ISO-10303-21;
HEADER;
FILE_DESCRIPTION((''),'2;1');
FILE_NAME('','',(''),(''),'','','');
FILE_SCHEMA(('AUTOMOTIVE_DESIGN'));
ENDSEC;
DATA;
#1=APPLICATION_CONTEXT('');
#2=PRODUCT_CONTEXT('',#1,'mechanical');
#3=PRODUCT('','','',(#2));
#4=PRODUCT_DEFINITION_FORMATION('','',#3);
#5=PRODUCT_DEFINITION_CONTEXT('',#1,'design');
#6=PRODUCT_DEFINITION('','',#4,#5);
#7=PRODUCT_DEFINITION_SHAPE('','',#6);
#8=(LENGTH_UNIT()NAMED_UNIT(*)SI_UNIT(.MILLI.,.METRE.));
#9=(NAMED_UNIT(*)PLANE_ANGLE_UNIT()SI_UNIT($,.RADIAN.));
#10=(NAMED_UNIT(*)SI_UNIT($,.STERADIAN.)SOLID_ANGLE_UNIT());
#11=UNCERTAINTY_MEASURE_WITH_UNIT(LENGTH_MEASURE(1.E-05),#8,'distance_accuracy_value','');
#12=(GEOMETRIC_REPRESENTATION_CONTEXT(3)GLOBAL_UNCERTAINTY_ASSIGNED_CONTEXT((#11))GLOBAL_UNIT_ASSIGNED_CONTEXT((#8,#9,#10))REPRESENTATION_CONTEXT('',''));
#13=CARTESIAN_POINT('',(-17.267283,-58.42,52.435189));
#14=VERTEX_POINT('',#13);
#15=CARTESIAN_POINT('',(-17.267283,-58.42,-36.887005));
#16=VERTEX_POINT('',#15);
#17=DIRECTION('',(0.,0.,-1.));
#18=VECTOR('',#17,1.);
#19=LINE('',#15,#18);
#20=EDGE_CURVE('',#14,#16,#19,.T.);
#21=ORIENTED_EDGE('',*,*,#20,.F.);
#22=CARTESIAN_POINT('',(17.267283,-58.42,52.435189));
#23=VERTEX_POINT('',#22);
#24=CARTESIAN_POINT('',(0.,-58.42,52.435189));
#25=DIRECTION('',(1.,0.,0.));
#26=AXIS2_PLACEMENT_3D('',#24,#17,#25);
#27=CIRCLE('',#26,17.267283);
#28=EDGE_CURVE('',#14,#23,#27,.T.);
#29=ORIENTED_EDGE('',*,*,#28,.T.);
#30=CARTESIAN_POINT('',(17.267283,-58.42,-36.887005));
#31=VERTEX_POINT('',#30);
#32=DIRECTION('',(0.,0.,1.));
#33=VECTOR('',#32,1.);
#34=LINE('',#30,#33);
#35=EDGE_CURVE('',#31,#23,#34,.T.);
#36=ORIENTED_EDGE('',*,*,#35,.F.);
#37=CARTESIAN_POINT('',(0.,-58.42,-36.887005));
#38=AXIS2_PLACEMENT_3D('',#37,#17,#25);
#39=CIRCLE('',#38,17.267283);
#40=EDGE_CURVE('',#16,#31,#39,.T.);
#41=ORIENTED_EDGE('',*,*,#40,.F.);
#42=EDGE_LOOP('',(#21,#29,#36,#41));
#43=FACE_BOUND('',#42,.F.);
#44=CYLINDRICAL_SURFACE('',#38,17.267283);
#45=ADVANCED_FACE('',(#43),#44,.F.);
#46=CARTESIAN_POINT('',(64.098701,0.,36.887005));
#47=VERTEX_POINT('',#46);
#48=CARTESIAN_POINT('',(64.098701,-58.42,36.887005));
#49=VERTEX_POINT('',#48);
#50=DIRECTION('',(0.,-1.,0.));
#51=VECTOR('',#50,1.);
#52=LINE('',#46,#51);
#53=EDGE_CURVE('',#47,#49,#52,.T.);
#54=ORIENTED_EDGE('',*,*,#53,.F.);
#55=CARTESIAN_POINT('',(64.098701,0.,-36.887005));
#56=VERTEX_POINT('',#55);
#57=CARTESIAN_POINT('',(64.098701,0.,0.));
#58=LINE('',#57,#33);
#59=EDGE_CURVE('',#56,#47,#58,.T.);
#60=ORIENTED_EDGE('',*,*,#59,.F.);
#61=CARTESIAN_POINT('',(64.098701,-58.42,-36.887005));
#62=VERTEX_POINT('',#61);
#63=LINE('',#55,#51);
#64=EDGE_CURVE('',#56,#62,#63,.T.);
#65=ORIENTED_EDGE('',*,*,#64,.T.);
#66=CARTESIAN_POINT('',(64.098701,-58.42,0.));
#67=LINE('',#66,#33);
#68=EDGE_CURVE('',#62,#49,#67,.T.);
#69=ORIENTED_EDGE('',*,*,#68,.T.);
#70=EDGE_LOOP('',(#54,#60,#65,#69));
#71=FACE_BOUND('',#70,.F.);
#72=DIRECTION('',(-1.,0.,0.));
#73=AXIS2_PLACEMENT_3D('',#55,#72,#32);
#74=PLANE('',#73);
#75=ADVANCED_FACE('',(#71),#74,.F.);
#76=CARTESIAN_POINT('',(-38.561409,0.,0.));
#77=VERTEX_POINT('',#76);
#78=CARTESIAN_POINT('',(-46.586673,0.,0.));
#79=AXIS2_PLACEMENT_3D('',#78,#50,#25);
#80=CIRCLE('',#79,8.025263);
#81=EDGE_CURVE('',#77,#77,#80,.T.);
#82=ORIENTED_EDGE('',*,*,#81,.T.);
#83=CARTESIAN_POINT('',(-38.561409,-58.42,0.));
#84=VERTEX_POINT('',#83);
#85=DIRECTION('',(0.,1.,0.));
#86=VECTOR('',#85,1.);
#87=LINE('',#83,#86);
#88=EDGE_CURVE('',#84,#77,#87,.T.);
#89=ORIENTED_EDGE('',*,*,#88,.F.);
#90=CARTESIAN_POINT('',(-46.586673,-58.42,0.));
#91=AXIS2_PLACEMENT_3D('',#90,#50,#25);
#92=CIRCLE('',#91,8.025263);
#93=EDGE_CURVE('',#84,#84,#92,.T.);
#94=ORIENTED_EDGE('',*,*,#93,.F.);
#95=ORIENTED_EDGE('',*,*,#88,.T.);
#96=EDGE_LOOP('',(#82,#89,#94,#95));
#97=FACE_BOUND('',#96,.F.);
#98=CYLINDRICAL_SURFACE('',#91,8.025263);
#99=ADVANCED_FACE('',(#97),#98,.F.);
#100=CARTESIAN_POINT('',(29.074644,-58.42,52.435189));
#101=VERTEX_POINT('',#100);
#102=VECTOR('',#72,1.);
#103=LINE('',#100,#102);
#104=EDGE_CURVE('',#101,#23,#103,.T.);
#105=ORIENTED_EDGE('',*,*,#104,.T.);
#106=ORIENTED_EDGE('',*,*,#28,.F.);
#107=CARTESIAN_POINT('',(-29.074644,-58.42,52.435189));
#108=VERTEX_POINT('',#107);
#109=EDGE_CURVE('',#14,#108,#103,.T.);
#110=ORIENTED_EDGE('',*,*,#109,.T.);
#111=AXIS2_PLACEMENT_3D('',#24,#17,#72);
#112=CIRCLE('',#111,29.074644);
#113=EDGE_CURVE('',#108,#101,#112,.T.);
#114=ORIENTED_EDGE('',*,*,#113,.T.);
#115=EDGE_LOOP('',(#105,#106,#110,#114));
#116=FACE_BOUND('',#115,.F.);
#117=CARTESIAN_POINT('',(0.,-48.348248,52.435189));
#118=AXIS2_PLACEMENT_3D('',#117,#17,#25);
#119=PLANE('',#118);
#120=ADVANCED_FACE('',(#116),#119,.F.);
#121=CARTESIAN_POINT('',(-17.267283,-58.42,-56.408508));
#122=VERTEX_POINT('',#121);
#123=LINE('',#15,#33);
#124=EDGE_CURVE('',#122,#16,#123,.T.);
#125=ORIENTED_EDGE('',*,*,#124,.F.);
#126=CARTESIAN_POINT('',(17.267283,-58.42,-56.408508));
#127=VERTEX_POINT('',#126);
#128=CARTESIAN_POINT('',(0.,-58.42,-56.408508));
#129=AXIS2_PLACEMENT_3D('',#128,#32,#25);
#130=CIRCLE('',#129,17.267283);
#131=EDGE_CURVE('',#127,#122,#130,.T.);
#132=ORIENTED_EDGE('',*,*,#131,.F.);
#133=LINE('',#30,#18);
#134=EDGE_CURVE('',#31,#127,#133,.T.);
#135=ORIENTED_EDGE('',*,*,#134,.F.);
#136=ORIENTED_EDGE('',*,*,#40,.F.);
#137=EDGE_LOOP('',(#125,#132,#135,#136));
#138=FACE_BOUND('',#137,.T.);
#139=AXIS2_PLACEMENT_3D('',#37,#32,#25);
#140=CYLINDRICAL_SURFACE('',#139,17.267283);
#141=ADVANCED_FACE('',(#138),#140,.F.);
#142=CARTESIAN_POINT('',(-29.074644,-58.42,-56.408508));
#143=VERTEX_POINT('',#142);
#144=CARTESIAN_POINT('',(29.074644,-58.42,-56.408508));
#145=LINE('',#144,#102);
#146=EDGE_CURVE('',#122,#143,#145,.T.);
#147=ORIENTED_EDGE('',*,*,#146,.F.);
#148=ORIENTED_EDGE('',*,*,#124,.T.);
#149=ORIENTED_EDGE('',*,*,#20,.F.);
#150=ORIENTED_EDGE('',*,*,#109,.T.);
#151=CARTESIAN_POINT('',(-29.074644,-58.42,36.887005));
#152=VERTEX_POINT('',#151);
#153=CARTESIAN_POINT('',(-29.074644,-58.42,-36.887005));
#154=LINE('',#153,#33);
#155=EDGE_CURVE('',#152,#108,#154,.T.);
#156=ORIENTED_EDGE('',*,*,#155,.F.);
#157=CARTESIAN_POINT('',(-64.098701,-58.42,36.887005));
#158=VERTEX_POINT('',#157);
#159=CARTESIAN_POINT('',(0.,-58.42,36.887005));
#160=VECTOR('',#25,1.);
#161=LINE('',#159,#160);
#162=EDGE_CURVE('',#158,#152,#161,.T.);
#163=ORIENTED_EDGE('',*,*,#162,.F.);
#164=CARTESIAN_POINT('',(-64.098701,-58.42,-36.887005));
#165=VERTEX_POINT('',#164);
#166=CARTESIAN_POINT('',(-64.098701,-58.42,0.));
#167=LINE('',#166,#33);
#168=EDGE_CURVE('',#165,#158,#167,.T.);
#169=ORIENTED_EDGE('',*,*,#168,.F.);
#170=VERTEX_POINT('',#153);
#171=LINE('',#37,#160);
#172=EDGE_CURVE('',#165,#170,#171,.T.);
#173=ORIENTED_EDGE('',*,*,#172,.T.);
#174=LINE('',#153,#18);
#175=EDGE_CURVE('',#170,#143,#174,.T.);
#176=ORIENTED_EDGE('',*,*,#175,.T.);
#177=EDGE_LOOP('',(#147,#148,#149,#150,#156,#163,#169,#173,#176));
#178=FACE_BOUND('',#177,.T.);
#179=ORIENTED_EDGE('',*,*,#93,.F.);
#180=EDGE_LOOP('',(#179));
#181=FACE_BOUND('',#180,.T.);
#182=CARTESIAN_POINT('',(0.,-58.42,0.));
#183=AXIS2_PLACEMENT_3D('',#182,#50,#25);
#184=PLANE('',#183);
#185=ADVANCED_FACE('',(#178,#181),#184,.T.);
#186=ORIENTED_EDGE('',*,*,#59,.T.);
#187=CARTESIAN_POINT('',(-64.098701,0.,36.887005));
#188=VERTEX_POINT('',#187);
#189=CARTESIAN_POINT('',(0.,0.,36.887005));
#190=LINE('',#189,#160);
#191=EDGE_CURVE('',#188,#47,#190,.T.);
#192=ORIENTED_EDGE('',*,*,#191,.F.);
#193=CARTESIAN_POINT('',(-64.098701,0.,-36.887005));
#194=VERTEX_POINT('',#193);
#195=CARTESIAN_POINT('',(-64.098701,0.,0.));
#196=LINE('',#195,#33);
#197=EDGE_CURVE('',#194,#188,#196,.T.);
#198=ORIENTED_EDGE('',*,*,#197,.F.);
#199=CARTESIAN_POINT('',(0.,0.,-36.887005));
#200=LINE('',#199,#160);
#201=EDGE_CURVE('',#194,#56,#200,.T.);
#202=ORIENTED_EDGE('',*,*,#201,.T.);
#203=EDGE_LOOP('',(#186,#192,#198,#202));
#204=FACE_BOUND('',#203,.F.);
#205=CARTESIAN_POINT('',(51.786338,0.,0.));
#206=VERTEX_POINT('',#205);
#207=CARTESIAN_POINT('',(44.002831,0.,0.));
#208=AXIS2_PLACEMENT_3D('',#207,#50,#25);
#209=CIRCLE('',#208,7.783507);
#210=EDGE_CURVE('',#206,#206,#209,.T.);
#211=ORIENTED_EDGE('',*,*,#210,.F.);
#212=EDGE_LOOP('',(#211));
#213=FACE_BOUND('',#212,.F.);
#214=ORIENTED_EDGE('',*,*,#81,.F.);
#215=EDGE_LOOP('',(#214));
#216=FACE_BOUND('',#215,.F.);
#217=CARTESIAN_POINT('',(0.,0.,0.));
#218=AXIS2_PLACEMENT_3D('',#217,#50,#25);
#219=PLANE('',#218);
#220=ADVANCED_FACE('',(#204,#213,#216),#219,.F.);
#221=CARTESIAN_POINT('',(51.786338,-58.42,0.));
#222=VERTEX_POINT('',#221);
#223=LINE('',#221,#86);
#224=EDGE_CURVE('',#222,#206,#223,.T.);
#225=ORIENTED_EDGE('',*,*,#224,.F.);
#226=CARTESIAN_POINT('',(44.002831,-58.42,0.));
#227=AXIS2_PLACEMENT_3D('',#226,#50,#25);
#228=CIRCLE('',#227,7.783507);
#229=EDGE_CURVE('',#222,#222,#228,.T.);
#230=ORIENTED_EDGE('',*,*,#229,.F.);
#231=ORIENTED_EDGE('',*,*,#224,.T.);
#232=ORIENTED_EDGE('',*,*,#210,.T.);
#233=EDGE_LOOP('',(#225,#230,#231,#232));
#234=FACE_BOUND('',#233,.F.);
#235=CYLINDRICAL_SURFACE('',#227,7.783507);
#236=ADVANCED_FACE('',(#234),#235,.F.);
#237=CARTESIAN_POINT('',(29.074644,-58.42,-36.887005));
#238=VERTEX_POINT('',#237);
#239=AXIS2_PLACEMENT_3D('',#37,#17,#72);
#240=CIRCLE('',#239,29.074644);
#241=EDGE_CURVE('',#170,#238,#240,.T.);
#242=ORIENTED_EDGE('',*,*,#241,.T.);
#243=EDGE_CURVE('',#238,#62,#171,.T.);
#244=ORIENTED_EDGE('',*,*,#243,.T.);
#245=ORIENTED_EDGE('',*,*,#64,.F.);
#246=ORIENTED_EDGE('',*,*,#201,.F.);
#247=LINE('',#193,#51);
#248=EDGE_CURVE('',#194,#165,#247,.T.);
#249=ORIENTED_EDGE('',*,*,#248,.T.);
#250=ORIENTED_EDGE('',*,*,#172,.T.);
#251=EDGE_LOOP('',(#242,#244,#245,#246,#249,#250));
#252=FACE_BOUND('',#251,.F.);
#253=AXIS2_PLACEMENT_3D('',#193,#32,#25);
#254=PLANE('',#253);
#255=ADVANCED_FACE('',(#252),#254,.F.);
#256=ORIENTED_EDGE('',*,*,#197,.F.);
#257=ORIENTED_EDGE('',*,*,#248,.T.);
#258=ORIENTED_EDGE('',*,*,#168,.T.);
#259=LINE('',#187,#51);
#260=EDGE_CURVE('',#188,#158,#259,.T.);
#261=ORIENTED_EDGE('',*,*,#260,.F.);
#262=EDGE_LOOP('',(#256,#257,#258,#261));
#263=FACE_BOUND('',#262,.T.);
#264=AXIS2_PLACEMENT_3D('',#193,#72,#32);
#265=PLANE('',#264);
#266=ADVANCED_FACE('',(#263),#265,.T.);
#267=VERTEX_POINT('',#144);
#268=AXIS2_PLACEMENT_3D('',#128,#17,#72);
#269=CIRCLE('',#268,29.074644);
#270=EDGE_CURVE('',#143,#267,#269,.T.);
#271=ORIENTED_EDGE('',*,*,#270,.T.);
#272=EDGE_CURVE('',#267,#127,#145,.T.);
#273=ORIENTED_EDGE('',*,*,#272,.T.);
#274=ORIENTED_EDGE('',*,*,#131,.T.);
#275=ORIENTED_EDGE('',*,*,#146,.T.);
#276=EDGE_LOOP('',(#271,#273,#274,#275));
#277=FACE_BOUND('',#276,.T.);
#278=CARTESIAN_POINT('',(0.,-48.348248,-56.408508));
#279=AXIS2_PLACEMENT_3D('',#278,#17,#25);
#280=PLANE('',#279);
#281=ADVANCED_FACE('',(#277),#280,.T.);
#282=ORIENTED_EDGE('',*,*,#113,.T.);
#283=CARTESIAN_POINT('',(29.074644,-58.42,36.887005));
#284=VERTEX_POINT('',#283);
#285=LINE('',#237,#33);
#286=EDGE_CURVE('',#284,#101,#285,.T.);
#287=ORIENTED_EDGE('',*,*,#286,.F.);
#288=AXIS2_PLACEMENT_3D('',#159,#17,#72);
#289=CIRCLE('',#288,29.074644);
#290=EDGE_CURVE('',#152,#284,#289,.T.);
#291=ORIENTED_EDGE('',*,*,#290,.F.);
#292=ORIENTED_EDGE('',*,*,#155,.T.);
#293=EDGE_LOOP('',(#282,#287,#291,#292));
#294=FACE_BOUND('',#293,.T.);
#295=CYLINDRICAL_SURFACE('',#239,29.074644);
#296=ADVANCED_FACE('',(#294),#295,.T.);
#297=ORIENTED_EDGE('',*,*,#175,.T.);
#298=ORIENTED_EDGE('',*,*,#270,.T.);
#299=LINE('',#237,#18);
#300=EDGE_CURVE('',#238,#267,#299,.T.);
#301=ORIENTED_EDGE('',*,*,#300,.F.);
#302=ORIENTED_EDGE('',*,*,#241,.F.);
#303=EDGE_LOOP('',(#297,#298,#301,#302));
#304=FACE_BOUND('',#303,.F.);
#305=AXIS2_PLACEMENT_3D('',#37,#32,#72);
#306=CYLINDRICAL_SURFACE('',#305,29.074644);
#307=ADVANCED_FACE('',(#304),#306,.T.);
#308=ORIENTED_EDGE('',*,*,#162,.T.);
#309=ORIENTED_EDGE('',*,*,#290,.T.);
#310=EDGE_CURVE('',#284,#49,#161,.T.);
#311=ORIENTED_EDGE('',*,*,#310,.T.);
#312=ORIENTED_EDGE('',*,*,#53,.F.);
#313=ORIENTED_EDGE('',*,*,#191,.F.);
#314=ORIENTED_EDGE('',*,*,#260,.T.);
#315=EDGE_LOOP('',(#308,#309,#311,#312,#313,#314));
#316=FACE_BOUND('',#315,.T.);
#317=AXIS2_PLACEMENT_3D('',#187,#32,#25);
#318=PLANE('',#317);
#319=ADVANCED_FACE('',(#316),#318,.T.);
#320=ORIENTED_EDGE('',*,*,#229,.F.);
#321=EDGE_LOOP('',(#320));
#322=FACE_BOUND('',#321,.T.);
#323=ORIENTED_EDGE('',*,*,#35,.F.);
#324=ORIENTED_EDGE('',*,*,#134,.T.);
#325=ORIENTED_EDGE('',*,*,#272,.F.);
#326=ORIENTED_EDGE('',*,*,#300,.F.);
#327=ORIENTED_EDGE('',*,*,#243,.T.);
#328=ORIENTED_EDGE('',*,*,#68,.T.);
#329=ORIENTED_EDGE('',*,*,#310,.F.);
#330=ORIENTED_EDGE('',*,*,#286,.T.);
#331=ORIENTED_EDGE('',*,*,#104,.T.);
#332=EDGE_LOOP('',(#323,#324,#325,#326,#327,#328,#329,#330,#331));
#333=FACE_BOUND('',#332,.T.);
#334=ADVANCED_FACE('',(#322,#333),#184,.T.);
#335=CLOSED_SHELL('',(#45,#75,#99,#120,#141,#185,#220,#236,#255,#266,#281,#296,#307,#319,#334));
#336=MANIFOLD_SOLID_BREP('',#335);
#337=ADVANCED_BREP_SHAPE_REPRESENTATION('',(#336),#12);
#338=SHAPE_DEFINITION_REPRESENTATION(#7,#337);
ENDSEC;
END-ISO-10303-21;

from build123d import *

# Parameters (mm, degrees)
F0_W          = 128.197401762
F0_H          = 73.774009943
F1_DEPTH      = 58.42
F2_DEPTH      = 19.5215027779
F2_DEPTH_BACK = 89.3221944571
F7_R          = 17.2672830395
F3_DEPTH      = 89.3231944571
F3_DEPTH_BACK = 25.4
F8_R          = 7.783506766
F4_DEPTH      = 58.421
F9_R          = 8.0252632598
F10_DEPTH     = 58.421


with BuildPart() as f1:
    # F0 (on Front) → F1 (new body)
    with BuildSketch(Plane.XZ):
        Rectangle(F0_W, F0_H)
    extrude(amount=F1_DEPTH)

    # F6 (on face) → F2 (join, two sides)
    with BuildSketch(Plane(origin=(0, 0, -36.8870049715), x_dir=(1, 0, 0), z_dir=(0, 0, -1))) as f2_sk:
        with BuildLine():
            ThreePointArc((-29.0746443466, 58.42), (0, 29.3453556534), (29.0746443466, 58.42))
            Line((29.0746443466, 58.42), (-29.0746443466, 58.42))
        make_face()
    extrude(amount=F2_DEPTH)
    extrude(f2_sk.sketch, amount=-F2_DEPTH_BACK)

    # F7 (on face) → F3 (cut, two sides)
    with BuildSketch(Plane(origin=(0, 0, -36.8870049715), x_dir=(1, 0, 0), z_dir=(0, 0, -1))) as f3_sk:
        with Locations((0, 58.42)):
            Circle(F7_R)
    extrude(amount=-F3_DEPTH, mode=Mode.SUBTRACT)
    extrude(f3_sk.sketch, amount=F3_DEPTH_BACK, mode=Mode.SUBTRACT)

    # F8 (on face) → F4 (cut, through all)
    with BuildSketch(Plane.XZ.offset(58.42)):
        with Locations((44.0028309822, 0)):
            Circle(F8_R)
    extrude(amount=-F4_DEPTH, mode=Mode.SUBTRACT)

    # F9 (on face) → F10 (cut, through all)
    with BuildSketch(Plane.XZ.offset(58.42)):
        with Locations((-46.5866726138, 0)):
            Circle(F9_R)
    extrude(amount=-F10_DEPTH, mode=Mode.SUBTRACT)


solid = f1.part
